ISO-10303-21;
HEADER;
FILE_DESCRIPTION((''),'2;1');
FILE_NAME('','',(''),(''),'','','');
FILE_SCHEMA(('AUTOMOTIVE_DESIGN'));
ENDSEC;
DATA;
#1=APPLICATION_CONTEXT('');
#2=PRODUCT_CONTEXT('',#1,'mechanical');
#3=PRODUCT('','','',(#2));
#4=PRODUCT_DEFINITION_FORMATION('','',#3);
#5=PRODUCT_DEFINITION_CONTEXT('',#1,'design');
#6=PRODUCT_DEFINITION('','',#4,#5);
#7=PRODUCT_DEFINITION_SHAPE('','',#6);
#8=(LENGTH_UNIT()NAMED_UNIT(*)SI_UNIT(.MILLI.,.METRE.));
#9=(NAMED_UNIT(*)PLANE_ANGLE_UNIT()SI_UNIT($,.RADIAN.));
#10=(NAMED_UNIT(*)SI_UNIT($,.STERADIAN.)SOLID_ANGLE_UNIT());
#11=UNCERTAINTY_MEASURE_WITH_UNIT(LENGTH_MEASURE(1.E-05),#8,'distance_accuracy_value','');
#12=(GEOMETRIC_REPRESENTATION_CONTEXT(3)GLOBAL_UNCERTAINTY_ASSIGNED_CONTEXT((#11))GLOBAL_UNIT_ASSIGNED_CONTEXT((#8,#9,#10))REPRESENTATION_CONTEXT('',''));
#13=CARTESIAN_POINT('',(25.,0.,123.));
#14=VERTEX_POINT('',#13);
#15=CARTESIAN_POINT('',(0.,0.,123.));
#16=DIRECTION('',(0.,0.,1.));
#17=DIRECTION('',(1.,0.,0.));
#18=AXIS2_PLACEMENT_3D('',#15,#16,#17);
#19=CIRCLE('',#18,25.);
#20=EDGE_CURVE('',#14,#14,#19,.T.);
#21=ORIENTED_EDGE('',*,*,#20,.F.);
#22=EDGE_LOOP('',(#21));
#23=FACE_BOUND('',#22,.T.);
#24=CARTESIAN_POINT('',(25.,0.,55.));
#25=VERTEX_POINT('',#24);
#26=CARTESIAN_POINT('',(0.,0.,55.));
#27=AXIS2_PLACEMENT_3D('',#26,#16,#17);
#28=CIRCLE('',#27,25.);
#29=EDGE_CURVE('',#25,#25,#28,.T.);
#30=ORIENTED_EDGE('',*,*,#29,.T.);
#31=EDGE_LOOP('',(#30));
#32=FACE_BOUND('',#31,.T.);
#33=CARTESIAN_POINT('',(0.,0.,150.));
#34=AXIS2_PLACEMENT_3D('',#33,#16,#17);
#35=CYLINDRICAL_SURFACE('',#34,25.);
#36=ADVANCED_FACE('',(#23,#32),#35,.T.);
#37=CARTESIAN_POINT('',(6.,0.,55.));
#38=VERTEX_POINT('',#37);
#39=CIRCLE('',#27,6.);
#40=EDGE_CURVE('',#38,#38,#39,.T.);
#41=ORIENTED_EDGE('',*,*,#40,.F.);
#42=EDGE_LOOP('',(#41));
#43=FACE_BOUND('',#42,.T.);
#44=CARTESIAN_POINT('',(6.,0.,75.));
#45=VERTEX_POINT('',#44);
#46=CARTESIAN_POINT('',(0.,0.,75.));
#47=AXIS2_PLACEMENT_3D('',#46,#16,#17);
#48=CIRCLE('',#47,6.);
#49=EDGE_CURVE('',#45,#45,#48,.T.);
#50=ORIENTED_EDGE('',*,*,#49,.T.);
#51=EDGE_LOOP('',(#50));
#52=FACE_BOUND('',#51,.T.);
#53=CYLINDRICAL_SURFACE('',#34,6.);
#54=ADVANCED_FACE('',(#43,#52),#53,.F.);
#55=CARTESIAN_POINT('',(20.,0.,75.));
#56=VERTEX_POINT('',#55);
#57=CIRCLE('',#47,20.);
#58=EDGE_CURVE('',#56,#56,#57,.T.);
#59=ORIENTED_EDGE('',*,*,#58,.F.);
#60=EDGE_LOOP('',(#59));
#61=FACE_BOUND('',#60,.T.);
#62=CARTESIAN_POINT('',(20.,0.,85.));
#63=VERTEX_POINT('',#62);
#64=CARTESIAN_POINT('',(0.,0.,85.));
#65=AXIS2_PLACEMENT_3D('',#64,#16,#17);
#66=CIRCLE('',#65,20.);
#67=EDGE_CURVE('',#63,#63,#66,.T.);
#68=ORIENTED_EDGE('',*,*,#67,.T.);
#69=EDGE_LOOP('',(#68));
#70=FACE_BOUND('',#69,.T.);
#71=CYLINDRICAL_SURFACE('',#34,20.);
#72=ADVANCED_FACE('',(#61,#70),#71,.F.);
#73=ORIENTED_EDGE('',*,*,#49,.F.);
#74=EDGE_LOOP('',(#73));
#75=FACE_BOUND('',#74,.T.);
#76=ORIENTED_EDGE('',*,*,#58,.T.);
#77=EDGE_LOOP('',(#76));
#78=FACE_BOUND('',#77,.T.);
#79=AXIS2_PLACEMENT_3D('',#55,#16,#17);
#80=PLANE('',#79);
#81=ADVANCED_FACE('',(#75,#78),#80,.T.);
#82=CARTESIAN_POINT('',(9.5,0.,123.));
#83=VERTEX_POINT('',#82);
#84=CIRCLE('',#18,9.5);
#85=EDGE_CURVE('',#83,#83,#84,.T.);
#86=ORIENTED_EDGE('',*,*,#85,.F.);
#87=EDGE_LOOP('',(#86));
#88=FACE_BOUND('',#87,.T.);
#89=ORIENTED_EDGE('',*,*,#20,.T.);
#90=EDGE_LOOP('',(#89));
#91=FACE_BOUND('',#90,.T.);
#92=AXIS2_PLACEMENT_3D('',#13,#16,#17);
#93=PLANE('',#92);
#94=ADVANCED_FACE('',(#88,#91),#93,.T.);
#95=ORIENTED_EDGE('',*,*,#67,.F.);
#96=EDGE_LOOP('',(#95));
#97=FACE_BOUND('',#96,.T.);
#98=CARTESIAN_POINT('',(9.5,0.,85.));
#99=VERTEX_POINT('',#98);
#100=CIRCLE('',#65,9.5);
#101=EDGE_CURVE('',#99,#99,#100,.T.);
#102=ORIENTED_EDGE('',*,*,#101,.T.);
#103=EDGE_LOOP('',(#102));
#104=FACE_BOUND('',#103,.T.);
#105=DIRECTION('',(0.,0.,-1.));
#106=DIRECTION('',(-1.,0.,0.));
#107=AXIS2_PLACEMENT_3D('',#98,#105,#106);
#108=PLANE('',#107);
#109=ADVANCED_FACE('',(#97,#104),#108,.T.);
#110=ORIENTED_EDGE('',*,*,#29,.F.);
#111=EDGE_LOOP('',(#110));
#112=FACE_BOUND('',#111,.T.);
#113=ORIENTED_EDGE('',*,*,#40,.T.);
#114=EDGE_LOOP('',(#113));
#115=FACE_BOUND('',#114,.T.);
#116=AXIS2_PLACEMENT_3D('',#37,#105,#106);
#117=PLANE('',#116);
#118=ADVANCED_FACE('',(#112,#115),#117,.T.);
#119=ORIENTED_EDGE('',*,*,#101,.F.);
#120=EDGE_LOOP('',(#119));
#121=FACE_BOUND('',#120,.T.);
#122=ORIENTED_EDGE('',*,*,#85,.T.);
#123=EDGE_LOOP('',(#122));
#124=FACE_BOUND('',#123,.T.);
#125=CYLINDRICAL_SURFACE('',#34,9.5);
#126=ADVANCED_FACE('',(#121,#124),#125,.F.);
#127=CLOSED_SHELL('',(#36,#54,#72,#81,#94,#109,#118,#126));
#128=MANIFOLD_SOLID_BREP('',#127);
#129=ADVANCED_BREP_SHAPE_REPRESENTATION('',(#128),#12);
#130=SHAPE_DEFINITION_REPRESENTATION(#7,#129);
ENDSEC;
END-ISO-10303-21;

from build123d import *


with BuildPart() as part:
    # Sketch1 → REV_Bellows_Coupling_D50x68_bores_12_19 (revolve)
    with BuildSketch(Plane(origin=(0, 0, 0), x_dir=(1, 0, 0), z_dir=(0, 1, 0))):
        Polygon((6, -55), (25, -55), (25, -123), (9.5, -123), (9.5, -85), (20, -85), (20, -75), (6, -75), align=None)
    revolve(axis=Axis((0, 0, 150), (0, 0, -1)))


solid = part.part
